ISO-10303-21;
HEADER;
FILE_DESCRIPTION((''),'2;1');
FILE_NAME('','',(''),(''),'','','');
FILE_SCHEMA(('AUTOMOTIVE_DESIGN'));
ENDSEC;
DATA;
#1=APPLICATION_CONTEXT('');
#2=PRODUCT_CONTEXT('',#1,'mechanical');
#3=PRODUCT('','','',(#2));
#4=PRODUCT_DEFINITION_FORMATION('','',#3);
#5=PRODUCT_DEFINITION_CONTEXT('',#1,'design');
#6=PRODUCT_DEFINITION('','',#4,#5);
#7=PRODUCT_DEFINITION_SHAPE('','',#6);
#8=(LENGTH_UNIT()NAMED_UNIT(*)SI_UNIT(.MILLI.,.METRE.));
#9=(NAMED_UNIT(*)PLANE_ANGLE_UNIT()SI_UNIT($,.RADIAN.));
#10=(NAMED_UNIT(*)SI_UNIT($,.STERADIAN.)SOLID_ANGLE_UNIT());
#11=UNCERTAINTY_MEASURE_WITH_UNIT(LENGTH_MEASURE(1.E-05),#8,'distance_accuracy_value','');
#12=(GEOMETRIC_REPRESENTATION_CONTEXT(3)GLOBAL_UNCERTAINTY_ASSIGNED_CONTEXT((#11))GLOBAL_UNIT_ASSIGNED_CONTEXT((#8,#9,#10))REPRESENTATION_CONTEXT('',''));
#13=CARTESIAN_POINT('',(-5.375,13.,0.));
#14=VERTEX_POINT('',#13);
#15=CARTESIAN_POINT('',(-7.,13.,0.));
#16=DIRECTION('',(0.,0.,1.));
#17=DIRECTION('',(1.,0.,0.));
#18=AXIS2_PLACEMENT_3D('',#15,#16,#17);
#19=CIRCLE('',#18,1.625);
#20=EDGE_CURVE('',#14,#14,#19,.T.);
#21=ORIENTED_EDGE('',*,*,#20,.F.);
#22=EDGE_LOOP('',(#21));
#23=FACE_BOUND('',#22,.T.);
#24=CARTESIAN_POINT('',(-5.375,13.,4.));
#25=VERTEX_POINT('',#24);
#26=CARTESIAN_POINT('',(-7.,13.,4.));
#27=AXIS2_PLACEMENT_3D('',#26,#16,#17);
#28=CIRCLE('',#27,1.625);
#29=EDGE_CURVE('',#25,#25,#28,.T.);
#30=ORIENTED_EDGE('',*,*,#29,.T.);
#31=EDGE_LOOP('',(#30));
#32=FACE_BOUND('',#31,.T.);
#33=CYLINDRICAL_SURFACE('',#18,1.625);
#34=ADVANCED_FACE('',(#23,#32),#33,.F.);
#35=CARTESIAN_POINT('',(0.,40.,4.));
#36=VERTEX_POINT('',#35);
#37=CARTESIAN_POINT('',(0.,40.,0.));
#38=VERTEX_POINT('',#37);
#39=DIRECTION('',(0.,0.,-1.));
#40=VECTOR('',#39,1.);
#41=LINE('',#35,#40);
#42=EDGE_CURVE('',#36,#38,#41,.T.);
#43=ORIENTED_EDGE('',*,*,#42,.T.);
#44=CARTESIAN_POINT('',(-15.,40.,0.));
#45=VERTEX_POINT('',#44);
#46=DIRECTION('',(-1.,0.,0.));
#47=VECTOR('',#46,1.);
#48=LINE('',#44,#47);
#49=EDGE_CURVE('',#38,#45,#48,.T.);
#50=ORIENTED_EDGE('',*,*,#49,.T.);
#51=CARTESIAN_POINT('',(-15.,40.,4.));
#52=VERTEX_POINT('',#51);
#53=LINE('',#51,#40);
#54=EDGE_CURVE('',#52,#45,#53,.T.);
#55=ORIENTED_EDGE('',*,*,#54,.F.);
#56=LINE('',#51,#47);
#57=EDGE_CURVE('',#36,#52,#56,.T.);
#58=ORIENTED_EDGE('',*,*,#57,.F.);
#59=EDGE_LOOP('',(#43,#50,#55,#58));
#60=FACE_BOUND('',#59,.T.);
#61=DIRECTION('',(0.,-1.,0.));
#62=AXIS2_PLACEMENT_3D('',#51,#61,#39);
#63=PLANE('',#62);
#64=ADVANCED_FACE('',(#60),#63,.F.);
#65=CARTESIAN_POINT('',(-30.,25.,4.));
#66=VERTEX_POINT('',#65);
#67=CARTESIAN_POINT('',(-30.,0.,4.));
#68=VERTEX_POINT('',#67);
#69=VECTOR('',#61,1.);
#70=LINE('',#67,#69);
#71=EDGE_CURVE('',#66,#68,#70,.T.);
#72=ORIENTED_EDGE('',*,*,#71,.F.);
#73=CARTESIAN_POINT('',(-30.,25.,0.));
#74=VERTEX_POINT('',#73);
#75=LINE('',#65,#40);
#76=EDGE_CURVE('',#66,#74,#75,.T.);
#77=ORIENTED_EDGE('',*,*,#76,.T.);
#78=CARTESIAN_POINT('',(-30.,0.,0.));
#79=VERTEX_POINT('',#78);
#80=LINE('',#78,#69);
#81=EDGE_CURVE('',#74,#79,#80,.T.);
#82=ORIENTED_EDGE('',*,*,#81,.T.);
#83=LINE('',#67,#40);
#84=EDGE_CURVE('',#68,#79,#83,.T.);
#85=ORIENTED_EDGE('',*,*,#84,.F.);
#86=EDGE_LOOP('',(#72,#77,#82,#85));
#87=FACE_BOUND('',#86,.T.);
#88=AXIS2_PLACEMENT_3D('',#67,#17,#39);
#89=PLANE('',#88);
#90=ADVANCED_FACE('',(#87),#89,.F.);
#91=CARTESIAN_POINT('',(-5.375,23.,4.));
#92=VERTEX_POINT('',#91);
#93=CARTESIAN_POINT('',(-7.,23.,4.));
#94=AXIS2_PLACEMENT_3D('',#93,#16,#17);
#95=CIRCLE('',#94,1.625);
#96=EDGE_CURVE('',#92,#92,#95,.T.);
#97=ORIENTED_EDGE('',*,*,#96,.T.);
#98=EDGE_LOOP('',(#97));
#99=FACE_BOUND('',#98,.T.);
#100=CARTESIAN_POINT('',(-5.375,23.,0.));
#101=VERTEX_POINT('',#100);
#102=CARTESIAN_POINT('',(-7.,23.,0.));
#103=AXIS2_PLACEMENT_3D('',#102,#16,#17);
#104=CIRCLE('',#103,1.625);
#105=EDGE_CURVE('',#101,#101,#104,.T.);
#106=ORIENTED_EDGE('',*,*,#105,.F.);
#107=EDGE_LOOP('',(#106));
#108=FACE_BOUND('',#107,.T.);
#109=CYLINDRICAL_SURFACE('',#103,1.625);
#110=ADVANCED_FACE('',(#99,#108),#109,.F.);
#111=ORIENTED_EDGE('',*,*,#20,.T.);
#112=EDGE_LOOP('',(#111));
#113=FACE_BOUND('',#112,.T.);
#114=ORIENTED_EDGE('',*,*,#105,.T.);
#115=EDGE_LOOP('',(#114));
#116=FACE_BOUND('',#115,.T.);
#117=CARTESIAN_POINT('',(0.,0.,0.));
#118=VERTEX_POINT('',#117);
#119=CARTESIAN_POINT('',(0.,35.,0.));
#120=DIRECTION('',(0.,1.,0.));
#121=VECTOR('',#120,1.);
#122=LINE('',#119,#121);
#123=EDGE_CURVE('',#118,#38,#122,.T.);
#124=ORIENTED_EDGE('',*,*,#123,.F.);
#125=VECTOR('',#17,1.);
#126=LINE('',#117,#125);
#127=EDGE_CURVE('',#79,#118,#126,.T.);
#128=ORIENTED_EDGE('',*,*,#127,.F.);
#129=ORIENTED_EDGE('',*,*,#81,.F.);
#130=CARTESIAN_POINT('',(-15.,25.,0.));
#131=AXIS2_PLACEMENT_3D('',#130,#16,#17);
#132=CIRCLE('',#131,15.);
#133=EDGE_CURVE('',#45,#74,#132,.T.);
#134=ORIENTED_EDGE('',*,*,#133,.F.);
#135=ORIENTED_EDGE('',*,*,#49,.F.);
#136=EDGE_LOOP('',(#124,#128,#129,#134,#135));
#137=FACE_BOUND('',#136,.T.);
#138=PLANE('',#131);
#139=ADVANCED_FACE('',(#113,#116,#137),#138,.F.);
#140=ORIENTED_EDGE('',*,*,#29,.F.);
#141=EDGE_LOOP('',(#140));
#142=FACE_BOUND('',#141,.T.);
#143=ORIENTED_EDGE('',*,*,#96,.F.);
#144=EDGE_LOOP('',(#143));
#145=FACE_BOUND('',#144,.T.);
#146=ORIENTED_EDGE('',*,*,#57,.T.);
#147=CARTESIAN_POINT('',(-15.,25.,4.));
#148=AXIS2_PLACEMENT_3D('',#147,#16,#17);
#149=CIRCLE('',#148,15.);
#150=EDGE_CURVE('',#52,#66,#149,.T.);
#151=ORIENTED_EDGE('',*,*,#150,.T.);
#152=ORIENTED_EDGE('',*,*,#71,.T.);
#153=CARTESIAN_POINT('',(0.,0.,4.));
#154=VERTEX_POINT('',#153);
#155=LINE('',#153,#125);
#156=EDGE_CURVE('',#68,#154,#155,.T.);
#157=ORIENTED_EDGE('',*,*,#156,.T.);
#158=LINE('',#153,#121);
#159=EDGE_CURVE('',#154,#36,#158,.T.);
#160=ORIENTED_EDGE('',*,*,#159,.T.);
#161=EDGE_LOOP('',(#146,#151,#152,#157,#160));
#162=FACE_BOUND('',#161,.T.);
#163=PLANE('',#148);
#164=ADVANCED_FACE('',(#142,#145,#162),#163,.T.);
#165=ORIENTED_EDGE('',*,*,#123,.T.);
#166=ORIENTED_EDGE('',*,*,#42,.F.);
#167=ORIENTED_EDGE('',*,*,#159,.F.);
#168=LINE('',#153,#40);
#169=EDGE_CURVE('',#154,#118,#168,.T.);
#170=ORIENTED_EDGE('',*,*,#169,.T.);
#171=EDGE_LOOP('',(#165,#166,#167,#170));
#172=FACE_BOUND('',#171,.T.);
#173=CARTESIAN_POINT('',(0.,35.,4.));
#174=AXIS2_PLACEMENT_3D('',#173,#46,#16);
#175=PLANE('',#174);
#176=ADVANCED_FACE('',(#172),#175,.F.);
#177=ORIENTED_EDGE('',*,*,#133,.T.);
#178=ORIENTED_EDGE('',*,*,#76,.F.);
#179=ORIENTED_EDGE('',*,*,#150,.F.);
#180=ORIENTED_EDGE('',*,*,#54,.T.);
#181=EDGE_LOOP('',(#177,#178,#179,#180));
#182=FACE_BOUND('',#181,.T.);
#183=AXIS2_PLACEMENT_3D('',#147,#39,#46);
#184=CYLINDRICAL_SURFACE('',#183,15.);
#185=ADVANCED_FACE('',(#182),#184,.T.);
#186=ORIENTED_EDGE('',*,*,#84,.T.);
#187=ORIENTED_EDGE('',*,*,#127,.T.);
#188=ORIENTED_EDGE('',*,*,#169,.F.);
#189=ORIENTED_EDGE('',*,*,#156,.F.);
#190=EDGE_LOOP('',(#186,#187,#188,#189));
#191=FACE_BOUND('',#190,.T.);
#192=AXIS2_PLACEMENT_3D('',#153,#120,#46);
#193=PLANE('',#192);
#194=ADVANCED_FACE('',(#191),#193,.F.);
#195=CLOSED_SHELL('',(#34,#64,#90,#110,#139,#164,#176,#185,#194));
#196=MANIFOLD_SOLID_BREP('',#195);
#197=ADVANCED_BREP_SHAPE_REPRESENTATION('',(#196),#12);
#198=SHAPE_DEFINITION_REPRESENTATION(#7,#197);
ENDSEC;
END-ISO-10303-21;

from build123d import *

# Parameters (mm, degrees)
BOSS_EXTRUDE1_DEPTH = 4
SKETCH2_R           = 1.625
CUT_EXTRUDE1_DEPTH  = 51.159744816


with BuildPart() as part:
    # Sketch1 → Boss-Extrude1 (new body)
    with BuildSketch(Plane.XY):
        with BuildLine():
            Line((0, 35), (0, 40))
            Line((0, 40), (-15, 40))
            ThreePointArc((-15, 40), (-25.606601718, 35.606601718), (-30, 25))
            Line((-30, 25), (-30, 0))
            Line((-30, 0), (0, 0))
            Line((0, 0), (0, 35))
        make_face()
    extrude(amount=BOSS_EXTRUDE1_DEPTH)

    # Sketch2 → Cut-Extrude1 (cut, through all)
    with BuildSketch(Plane.XY.offset(4)):
        with Locations((-7, 23)):
            Circle(SKETCH2_R)
        with Locations((-7, 13)):
            Circle(SKETCH2_R)
    extrude(amount=-CUT_EXTRUDE1_DEPTH, mode=Mode.SUBTRACT)


solid = part.part
